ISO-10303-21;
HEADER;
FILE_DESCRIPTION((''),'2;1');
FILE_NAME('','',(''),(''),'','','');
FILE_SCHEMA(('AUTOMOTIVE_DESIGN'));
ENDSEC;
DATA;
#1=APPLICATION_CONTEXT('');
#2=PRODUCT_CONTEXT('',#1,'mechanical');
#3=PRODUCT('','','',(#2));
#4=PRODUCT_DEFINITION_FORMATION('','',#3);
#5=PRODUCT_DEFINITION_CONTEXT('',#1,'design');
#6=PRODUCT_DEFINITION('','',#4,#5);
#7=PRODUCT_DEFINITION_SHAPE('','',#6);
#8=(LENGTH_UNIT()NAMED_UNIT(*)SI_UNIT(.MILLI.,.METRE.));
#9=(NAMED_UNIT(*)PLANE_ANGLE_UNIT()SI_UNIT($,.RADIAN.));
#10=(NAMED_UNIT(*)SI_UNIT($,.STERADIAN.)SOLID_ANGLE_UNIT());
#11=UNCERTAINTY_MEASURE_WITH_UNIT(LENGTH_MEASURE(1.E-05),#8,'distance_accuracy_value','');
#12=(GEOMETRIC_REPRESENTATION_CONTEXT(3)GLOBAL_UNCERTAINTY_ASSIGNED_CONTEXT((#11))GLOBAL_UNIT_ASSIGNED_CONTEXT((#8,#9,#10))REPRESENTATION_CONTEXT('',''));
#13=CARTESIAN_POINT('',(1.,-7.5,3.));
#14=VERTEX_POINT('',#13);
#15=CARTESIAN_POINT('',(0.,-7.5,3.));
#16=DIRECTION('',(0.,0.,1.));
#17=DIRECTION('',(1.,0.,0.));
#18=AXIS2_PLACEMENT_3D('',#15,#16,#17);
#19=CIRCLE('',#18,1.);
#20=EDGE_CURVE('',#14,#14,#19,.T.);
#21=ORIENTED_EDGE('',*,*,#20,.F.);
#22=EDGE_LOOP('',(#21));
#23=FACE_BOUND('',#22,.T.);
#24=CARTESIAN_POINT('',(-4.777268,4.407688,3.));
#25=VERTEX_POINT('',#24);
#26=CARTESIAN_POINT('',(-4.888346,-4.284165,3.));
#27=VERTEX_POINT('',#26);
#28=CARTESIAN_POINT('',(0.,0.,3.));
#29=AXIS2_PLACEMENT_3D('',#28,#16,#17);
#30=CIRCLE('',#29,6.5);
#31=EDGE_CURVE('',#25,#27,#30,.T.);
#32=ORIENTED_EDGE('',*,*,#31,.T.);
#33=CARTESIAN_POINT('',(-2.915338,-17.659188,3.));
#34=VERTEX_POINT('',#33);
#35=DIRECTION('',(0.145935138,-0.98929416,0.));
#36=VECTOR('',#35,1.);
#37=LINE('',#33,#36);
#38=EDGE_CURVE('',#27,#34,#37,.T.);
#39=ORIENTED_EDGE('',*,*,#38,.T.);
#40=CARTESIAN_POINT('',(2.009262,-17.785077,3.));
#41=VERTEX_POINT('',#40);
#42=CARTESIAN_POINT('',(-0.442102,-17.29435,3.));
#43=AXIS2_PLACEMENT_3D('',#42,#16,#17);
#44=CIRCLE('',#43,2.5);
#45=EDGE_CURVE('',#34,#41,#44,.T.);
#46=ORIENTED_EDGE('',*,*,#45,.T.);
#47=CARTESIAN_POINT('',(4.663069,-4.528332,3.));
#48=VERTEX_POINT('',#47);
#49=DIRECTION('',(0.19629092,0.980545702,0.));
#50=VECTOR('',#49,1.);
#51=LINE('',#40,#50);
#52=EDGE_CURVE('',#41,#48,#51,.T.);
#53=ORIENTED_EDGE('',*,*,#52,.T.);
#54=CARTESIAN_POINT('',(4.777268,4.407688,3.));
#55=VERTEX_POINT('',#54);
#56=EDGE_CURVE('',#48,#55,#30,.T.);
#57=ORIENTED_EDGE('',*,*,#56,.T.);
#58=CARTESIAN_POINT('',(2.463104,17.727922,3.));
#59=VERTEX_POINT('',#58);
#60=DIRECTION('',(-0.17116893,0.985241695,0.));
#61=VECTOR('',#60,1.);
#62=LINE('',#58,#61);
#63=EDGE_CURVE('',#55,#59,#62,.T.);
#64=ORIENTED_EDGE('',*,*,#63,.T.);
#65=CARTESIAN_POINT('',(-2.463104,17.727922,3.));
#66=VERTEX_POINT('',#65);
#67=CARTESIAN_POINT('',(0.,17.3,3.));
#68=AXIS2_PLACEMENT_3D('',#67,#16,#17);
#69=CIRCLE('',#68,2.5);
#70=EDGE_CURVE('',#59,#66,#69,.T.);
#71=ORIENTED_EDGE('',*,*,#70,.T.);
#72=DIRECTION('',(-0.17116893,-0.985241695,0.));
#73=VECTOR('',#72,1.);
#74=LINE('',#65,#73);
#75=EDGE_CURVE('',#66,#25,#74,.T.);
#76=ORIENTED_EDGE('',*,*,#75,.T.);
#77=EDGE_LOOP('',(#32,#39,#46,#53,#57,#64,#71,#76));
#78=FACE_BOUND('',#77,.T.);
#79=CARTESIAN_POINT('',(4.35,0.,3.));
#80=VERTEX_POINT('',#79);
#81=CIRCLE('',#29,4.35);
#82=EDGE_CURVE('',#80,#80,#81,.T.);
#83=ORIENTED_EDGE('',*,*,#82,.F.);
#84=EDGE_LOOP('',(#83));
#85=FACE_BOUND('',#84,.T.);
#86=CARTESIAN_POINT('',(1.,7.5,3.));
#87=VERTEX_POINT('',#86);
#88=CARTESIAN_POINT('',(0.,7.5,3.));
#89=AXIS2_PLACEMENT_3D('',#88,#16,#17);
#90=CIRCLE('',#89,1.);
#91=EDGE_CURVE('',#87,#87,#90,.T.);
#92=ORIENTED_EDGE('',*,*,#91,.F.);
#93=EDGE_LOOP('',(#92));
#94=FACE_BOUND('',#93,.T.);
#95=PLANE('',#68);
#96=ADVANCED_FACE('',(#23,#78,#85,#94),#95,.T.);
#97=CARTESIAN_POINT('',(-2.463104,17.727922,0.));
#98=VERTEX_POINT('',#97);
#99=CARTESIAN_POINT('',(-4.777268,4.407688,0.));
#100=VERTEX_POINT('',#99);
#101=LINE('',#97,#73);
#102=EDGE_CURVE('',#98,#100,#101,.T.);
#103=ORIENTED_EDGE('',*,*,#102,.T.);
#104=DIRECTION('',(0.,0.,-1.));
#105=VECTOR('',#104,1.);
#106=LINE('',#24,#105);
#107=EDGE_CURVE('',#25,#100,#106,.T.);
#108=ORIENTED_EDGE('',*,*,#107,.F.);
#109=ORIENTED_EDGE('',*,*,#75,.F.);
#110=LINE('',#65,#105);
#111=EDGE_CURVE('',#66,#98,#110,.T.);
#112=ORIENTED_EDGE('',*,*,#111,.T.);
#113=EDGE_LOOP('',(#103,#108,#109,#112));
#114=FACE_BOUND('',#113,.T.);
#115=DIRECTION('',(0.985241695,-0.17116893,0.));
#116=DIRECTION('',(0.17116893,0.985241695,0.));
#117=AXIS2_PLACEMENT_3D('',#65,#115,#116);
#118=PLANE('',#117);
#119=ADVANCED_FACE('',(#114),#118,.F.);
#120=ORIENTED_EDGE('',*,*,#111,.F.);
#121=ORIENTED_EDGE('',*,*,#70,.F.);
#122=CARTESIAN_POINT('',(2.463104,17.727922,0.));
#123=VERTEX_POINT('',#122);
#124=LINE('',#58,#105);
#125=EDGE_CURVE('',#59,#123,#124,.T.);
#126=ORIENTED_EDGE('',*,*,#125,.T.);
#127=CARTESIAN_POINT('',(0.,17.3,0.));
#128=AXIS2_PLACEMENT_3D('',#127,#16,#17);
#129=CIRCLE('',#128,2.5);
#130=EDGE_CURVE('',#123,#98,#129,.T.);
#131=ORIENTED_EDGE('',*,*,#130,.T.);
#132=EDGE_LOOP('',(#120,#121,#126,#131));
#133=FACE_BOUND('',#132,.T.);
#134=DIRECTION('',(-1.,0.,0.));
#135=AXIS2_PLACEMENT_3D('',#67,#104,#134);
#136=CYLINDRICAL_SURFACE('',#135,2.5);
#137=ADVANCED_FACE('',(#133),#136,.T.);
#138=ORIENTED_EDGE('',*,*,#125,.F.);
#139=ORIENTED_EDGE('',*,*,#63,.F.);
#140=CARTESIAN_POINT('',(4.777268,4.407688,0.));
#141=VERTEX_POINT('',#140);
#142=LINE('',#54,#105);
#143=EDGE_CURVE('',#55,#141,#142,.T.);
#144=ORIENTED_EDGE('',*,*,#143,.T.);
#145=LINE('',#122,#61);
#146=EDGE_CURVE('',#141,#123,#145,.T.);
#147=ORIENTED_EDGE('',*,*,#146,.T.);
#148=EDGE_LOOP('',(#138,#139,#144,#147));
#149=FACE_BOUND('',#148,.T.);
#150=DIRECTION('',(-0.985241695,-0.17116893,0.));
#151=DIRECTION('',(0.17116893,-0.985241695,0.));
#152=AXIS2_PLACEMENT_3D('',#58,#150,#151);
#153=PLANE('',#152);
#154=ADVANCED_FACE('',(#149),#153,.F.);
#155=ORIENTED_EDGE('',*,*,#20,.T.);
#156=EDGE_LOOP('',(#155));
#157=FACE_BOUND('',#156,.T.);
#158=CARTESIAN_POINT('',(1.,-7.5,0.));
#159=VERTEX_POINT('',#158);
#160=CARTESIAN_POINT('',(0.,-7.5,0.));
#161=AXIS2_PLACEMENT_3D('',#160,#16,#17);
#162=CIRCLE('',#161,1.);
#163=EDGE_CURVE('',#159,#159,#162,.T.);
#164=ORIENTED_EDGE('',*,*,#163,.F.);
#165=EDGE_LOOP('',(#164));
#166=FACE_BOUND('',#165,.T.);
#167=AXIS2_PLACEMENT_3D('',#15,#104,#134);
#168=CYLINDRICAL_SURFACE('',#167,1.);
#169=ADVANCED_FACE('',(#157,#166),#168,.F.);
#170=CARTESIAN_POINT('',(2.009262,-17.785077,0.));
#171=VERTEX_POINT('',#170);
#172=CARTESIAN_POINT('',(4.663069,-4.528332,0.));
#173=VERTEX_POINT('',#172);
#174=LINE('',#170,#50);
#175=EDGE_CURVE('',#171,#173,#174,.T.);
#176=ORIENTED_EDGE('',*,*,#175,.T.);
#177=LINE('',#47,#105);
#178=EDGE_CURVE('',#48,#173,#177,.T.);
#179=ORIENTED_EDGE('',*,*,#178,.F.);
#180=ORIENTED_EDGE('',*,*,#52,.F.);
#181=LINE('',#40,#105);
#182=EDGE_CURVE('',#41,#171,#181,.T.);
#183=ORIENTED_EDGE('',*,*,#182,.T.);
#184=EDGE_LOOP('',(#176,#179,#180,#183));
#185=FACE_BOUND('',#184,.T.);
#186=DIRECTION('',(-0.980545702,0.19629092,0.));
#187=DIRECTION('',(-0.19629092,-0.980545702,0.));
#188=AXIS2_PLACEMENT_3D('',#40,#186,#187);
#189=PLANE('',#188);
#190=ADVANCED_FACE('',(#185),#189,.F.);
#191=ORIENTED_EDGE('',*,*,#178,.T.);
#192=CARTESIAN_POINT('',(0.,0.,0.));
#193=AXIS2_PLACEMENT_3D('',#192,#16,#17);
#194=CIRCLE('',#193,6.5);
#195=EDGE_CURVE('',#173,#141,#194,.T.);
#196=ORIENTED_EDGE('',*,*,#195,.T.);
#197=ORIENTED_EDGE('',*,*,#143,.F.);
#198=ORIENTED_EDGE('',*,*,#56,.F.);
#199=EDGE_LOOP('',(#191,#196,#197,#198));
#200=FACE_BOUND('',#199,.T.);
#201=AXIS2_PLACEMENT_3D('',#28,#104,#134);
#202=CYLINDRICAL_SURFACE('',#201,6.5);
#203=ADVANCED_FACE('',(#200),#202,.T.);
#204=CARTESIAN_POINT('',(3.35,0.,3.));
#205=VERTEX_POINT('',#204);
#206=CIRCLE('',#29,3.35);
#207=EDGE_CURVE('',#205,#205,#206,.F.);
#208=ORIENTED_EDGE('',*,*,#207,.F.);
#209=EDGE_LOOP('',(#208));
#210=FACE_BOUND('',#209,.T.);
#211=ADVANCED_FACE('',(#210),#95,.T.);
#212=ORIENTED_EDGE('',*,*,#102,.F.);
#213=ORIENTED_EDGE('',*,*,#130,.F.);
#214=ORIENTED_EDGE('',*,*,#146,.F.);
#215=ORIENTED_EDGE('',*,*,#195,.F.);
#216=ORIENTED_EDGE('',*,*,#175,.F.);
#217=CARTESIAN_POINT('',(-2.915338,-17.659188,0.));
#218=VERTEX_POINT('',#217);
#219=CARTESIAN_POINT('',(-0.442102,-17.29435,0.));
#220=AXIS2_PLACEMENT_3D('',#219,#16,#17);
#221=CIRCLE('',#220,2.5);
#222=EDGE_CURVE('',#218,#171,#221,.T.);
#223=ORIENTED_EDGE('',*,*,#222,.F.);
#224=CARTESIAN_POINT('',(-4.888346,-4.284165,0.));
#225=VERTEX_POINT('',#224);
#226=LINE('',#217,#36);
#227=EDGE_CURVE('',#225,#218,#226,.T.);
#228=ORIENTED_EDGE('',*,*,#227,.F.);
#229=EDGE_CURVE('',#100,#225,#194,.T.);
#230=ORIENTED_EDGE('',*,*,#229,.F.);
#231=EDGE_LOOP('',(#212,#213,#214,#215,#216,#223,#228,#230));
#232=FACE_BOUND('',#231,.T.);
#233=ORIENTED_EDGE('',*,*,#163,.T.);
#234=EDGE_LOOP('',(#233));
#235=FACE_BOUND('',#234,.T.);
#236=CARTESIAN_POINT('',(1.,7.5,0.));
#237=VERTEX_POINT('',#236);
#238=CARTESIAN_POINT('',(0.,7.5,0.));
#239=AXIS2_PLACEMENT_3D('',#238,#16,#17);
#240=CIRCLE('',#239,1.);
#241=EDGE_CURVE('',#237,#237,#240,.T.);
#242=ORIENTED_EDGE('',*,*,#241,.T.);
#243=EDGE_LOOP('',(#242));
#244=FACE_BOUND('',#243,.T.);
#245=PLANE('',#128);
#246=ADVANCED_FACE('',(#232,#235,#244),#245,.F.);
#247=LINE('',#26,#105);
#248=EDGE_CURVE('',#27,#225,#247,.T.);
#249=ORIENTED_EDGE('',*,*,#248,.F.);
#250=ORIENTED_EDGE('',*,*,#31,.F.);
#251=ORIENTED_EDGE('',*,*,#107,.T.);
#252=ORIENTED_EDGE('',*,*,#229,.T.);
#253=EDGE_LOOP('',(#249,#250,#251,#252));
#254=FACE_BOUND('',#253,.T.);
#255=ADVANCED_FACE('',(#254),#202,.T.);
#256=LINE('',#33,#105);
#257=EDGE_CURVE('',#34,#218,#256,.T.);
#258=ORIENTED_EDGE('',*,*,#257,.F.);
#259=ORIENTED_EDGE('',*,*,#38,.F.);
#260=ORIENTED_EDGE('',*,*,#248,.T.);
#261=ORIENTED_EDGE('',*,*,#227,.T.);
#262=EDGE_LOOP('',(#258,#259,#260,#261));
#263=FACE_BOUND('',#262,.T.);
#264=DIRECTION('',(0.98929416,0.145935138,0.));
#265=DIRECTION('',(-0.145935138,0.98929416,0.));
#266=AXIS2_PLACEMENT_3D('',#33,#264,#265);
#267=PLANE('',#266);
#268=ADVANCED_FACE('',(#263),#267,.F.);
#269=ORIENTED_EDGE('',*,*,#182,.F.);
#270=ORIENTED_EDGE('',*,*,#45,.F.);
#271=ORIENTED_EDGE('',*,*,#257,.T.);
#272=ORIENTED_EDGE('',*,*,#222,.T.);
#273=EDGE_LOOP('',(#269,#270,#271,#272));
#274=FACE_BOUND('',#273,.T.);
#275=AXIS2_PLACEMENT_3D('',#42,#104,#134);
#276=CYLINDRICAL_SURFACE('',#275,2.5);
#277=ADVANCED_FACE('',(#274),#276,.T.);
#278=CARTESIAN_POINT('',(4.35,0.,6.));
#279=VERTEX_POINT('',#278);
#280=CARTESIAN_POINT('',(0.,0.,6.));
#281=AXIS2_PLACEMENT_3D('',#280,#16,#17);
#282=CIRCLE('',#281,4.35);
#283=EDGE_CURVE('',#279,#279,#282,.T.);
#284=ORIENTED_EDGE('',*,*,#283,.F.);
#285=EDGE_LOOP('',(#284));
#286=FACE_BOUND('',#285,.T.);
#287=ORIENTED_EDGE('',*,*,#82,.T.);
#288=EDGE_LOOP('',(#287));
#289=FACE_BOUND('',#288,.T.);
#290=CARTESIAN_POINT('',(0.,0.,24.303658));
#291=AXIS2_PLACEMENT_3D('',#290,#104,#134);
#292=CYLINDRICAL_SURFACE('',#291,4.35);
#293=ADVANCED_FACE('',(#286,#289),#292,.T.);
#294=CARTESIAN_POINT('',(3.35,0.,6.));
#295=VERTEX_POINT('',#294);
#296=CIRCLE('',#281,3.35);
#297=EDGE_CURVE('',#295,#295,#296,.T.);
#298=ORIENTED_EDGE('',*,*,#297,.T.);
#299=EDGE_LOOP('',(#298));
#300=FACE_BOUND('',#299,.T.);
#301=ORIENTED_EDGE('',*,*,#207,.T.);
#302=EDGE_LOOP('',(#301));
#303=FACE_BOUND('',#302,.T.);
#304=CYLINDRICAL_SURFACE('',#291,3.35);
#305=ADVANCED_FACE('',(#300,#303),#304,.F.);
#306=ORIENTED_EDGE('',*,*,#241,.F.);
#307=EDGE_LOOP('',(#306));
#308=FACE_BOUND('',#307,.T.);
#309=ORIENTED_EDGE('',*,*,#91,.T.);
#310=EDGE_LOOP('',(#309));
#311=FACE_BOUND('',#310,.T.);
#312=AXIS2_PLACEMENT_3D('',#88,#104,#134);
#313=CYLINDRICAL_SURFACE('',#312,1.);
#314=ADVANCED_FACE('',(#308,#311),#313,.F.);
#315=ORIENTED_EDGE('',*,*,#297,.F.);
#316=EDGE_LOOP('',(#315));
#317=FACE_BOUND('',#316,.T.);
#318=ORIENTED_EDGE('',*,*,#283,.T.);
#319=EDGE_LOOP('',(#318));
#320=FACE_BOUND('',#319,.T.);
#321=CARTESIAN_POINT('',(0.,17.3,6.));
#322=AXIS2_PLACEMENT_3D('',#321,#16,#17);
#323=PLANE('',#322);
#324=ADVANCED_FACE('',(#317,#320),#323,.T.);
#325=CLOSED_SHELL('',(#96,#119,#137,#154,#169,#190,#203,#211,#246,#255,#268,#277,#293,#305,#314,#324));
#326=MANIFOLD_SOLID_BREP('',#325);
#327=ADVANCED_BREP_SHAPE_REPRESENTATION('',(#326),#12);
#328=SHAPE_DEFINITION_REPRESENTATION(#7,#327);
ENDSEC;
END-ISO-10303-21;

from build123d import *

# Parameters (mm, degrees)
SKETCH_1_R        = 1
EXTRUDE_1_DEPTH   = 3
SKETCH_2_R        = 4.35
SKETCH_2_R_2      = 3.35
EXTRUDE_1_2_DEPTH = 3


with BuildPart() as part:
    # 草图1 → Extrude 1 (new body)
    with BuildSketch(Plane.XY):
        with BuildLine():
            Line((-2.463104237, 17.727922325), (-4.777267611, 4.407688076))
            ThreePointArc((-4.777267611, 4.407688076), (-6.49946928, 0.083060663), (-4.888346081, -4.284165332))
            Line((-4.888346081, -4.284165332), (-2.915337598, -17.659187952))
            ThreePointArc((-2.915337598, -17.659187952), (-0.505989798, -19.793533649), (2.009262058, -17.785077409))
            Line((2.009262058, -17.785077409), (4.663068788, -4.528331865))
            ThreePointArc((4.663068788, -4.528331865), (6.49946928, -0.083060663), (4.777267611, 4.407688076))
            Line((4.777267611, 4.407688076), (2.463104237, 17.727922325))
            ThreePointArc((2.463104237, 17.727922325), (0, 19.8), (-2.463104237, 17.727922325))
        make_face()
        with Locations((0, 7.5)):
            Circle(SKETCH_1_R, mode=Mode.SUBTRACT)
        with Locations((0, -7.5)):
            Circle(SKETCH_1_R, mode=Mode.SUBTRACT)
    extrude(amount=EXTRUDE_1_DEPTH)

    # 草图2 → Extrude 1 2 (add)
    with BuildSketch(Plane.XY.offset(3)):
        Circle(SKETCH_2_R)
        Circle(SKETCH_2_R_2, mode=Mode.SUBTRACT)
    extrude(amount=EXTRUDE_1_2_DEPTH)


solid = part.part
